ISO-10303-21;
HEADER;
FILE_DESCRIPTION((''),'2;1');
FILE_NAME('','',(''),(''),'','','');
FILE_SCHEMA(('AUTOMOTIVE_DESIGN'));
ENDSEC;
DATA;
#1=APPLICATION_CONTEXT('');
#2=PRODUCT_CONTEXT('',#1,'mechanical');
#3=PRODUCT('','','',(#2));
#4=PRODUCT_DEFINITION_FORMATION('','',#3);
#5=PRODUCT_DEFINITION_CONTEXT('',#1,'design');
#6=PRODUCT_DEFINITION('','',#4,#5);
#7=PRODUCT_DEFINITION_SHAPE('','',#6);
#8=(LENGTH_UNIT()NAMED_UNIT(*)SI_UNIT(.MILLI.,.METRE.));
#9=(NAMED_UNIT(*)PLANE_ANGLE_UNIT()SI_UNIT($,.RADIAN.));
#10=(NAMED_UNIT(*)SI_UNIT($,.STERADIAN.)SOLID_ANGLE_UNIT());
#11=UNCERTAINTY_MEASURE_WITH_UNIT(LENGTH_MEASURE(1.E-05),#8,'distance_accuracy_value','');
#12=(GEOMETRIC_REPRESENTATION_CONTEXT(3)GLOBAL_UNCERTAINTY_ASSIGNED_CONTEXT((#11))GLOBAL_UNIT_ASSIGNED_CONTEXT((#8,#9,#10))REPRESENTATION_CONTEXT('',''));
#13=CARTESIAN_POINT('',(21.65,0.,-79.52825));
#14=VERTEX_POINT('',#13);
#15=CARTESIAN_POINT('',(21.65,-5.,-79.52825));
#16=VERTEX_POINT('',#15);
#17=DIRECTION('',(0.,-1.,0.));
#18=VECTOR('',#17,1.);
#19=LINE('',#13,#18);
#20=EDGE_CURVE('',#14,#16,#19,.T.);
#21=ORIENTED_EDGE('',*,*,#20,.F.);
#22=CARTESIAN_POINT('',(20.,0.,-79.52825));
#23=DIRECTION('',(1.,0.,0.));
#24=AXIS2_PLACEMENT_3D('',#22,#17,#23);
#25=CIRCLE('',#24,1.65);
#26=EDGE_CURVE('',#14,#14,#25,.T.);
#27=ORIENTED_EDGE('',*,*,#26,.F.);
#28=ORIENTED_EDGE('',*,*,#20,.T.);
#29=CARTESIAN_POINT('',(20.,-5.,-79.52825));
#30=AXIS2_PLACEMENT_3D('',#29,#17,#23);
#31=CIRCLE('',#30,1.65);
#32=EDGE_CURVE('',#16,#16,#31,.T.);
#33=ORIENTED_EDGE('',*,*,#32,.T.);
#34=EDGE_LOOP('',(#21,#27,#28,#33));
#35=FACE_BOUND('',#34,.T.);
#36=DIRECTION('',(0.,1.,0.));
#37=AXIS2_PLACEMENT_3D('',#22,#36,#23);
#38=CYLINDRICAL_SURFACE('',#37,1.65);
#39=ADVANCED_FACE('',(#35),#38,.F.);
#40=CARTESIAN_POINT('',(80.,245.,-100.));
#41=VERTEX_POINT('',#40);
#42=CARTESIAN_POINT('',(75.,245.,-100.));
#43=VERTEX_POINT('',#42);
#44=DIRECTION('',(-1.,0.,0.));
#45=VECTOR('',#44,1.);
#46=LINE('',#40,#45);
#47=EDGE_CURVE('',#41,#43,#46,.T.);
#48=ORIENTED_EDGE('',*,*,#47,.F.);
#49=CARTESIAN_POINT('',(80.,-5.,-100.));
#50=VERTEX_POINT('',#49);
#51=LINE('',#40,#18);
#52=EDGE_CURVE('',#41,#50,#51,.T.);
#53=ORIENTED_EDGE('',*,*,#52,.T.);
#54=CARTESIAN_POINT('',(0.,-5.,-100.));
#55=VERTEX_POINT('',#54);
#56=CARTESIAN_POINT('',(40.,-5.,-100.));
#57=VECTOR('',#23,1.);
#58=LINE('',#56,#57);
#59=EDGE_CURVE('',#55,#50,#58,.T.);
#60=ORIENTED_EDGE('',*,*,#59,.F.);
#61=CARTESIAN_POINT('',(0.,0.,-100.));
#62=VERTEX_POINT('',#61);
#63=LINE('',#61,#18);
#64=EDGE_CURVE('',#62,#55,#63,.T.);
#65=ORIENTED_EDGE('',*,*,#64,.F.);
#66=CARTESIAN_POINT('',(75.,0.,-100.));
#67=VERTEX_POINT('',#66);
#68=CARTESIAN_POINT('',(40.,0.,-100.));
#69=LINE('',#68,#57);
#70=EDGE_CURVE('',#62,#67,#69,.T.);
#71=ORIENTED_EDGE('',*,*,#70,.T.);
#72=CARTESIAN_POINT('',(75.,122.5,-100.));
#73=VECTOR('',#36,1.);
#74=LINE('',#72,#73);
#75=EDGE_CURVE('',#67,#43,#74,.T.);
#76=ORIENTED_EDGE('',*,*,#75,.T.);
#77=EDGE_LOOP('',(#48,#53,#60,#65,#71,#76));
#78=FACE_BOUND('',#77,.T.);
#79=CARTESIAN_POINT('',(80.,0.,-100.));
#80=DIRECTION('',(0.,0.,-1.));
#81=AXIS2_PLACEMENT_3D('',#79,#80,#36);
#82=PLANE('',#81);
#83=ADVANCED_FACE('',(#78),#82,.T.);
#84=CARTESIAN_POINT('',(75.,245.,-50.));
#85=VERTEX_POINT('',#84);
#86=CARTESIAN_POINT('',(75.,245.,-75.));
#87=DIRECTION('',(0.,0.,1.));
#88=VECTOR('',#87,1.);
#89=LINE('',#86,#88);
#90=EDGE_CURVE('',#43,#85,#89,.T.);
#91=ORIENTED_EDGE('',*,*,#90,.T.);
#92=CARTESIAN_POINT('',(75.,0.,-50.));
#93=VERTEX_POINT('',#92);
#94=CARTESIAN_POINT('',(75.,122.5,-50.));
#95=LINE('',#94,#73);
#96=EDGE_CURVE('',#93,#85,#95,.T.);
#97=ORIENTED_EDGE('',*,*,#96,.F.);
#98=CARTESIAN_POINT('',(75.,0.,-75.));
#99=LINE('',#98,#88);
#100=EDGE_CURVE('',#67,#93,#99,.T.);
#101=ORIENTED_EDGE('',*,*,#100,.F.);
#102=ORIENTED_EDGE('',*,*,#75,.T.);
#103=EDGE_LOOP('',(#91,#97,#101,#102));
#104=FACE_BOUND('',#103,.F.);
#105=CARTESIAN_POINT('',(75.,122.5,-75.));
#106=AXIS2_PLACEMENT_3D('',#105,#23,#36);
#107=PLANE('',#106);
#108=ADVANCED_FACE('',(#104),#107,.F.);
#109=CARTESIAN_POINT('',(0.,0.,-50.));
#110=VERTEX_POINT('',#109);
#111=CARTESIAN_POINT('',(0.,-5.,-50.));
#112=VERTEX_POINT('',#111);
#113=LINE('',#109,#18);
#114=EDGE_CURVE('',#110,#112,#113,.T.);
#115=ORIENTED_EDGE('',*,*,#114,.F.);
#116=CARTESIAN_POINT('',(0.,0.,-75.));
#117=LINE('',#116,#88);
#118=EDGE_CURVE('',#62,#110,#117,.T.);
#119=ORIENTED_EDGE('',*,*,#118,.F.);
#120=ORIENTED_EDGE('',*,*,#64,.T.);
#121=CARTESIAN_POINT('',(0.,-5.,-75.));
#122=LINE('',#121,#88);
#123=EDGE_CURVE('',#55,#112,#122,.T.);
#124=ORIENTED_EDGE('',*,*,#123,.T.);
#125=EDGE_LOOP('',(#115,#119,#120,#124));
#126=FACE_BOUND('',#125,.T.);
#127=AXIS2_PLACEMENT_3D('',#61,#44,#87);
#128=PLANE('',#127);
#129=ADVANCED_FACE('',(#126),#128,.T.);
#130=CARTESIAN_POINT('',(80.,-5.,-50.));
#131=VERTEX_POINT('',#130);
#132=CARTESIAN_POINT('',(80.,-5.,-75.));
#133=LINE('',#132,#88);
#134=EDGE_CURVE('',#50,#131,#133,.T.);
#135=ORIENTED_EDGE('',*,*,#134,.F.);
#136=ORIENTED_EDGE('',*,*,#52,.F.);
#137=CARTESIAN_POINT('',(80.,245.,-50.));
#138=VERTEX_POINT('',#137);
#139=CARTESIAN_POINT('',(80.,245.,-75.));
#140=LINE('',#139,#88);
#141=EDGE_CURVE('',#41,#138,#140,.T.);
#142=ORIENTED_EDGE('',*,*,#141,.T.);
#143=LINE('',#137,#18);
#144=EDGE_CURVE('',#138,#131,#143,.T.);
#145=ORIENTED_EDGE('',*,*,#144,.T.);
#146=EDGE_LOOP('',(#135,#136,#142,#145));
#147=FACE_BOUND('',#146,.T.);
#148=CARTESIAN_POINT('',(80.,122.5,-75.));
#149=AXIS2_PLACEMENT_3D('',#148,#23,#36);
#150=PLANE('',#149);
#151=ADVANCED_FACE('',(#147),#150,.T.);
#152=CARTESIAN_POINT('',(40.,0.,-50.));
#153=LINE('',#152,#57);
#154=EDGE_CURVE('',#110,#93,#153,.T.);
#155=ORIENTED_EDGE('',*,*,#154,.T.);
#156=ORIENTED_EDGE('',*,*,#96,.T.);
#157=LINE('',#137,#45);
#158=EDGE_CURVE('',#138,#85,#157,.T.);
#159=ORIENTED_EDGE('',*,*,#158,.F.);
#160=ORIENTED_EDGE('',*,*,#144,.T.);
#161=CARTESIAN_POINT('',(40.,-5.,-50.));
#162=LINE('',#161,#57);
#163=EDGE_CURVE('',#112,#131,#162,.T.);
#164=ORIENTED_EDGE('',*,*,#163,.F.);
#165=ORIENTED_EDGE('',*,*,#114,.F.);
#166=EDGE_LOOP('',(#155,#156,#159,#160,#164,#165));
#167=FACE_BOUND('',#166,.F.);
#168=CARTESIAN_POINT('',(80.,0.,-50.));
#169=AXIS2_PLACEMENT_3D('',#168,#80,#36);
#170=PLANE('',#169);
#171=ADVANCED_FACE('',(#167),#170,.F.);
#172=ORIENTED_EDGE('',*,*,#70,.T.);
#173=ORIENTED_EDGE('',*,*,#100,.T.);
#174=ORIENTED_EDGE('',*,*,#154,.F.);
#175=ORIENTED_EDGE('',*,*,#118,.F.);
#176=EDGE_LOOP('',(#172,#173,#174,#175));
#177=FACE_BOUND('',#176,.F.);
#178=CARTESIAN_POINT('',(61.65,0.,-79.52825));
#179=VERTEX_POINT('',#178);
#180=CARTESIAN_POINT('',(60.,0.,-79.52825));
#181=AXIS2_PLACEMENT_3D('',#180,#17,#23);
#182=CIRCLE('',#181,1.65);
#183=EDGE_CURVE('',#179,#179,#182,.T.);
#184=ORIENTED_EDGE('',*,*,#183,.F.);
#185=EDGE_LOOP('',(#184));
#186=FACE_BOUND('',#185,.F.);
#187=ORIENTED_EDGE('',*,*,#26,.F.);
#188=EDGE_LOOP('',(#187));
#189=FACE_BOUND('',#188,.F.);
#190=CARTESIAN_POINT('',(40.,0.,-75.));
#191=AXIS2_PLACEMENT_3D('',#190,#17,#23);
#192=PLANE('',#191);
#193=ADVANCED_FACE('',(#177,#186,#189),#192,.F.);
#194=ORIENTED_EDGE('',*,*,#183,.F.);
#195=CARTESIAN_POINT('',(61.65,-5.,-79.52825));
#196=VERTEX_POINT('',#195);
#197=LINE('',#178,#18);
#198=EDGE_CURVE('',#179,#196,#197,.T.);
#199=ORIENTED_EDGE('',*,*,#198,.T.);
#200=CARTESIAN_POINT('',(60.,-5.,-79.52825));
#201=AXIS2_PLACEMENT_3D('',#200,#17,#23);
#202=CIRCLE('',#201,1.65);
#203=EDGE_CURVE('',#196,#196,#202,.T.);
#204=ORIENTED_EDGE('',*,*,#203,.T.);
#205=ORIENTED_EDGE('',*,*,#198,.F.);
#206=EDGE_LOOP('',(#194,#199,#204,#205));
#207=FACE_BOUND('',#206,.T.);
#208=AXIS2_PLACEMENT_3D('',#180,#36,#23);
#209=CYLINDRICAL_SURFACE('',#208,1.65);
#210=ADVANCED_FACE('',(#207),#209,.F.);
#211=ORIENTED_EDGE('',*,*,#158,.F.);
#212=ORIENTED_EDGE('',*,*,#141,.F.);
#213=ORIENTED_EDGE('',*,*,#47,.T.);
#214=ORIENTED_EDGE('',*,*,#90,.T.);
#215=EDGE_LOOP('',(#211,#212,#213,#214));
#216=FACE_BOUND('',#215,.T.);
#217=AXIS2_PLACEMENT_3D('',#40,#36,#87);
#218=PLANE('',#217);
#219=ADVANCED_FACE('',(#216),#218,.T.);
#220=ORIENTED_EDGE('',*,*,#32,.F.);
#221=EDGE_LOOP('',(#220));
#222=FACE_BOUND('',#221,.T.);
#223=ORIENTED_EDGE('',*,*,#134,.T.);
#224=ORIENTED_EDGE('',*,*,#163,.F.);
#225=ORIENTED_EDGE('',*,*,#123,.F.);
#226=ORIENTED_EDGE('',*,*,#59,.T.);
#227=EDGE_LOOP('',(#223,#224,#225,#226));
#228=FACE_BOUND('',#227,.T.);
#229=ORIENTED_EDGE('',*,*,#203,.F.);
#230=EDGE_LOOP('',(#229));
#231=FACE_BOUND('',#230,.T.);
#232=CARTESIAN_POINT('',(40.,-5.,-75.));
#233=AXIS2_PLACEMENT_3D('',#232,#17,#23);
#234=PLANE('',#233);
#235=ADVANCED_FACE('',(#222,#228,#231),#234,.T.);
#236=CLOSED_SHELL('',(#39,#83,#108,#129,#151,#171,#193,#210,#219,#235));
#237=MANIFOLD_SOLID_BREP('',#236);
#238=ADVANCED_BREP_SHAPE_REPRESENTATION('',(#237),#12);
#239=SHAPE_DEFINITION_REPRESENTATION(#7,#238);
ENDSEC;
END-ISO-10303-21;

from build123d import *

# Parameters (mm, degrees)
F0_W     = 80
F0_H     = 50
F0_R     = 1.65
F1_DEPTH = 5
F2_W     = 245
F2_H     = 50
F3_DEPTH = 5


with BuildPart() as f1:
    # F0 (on Front) → F1 (new body)
    with BuildSketch(Plane.XZ):
        with Locations((40, -75)):
            Rectangle(F0_W, F0_H)
        with Locations((20, -79.52825)):
            Circle(F0_R, mode=Mode.SUBTRACT)
        with Locations((60, -79.52825)):
            Circle(F0_R, mode=Mode.SUBTRACT)
    extrude(amount=F1_DEPTH)

    # F2 (on face) → F3 (join)
    with BuildSketch(Plane.YZ.offset(80)):
        with Locations((122.5, -75)):
            Rectangle(F2_W, F2_H)
    extrude(amount=-F3_DEPTH)


solid = f1.part
